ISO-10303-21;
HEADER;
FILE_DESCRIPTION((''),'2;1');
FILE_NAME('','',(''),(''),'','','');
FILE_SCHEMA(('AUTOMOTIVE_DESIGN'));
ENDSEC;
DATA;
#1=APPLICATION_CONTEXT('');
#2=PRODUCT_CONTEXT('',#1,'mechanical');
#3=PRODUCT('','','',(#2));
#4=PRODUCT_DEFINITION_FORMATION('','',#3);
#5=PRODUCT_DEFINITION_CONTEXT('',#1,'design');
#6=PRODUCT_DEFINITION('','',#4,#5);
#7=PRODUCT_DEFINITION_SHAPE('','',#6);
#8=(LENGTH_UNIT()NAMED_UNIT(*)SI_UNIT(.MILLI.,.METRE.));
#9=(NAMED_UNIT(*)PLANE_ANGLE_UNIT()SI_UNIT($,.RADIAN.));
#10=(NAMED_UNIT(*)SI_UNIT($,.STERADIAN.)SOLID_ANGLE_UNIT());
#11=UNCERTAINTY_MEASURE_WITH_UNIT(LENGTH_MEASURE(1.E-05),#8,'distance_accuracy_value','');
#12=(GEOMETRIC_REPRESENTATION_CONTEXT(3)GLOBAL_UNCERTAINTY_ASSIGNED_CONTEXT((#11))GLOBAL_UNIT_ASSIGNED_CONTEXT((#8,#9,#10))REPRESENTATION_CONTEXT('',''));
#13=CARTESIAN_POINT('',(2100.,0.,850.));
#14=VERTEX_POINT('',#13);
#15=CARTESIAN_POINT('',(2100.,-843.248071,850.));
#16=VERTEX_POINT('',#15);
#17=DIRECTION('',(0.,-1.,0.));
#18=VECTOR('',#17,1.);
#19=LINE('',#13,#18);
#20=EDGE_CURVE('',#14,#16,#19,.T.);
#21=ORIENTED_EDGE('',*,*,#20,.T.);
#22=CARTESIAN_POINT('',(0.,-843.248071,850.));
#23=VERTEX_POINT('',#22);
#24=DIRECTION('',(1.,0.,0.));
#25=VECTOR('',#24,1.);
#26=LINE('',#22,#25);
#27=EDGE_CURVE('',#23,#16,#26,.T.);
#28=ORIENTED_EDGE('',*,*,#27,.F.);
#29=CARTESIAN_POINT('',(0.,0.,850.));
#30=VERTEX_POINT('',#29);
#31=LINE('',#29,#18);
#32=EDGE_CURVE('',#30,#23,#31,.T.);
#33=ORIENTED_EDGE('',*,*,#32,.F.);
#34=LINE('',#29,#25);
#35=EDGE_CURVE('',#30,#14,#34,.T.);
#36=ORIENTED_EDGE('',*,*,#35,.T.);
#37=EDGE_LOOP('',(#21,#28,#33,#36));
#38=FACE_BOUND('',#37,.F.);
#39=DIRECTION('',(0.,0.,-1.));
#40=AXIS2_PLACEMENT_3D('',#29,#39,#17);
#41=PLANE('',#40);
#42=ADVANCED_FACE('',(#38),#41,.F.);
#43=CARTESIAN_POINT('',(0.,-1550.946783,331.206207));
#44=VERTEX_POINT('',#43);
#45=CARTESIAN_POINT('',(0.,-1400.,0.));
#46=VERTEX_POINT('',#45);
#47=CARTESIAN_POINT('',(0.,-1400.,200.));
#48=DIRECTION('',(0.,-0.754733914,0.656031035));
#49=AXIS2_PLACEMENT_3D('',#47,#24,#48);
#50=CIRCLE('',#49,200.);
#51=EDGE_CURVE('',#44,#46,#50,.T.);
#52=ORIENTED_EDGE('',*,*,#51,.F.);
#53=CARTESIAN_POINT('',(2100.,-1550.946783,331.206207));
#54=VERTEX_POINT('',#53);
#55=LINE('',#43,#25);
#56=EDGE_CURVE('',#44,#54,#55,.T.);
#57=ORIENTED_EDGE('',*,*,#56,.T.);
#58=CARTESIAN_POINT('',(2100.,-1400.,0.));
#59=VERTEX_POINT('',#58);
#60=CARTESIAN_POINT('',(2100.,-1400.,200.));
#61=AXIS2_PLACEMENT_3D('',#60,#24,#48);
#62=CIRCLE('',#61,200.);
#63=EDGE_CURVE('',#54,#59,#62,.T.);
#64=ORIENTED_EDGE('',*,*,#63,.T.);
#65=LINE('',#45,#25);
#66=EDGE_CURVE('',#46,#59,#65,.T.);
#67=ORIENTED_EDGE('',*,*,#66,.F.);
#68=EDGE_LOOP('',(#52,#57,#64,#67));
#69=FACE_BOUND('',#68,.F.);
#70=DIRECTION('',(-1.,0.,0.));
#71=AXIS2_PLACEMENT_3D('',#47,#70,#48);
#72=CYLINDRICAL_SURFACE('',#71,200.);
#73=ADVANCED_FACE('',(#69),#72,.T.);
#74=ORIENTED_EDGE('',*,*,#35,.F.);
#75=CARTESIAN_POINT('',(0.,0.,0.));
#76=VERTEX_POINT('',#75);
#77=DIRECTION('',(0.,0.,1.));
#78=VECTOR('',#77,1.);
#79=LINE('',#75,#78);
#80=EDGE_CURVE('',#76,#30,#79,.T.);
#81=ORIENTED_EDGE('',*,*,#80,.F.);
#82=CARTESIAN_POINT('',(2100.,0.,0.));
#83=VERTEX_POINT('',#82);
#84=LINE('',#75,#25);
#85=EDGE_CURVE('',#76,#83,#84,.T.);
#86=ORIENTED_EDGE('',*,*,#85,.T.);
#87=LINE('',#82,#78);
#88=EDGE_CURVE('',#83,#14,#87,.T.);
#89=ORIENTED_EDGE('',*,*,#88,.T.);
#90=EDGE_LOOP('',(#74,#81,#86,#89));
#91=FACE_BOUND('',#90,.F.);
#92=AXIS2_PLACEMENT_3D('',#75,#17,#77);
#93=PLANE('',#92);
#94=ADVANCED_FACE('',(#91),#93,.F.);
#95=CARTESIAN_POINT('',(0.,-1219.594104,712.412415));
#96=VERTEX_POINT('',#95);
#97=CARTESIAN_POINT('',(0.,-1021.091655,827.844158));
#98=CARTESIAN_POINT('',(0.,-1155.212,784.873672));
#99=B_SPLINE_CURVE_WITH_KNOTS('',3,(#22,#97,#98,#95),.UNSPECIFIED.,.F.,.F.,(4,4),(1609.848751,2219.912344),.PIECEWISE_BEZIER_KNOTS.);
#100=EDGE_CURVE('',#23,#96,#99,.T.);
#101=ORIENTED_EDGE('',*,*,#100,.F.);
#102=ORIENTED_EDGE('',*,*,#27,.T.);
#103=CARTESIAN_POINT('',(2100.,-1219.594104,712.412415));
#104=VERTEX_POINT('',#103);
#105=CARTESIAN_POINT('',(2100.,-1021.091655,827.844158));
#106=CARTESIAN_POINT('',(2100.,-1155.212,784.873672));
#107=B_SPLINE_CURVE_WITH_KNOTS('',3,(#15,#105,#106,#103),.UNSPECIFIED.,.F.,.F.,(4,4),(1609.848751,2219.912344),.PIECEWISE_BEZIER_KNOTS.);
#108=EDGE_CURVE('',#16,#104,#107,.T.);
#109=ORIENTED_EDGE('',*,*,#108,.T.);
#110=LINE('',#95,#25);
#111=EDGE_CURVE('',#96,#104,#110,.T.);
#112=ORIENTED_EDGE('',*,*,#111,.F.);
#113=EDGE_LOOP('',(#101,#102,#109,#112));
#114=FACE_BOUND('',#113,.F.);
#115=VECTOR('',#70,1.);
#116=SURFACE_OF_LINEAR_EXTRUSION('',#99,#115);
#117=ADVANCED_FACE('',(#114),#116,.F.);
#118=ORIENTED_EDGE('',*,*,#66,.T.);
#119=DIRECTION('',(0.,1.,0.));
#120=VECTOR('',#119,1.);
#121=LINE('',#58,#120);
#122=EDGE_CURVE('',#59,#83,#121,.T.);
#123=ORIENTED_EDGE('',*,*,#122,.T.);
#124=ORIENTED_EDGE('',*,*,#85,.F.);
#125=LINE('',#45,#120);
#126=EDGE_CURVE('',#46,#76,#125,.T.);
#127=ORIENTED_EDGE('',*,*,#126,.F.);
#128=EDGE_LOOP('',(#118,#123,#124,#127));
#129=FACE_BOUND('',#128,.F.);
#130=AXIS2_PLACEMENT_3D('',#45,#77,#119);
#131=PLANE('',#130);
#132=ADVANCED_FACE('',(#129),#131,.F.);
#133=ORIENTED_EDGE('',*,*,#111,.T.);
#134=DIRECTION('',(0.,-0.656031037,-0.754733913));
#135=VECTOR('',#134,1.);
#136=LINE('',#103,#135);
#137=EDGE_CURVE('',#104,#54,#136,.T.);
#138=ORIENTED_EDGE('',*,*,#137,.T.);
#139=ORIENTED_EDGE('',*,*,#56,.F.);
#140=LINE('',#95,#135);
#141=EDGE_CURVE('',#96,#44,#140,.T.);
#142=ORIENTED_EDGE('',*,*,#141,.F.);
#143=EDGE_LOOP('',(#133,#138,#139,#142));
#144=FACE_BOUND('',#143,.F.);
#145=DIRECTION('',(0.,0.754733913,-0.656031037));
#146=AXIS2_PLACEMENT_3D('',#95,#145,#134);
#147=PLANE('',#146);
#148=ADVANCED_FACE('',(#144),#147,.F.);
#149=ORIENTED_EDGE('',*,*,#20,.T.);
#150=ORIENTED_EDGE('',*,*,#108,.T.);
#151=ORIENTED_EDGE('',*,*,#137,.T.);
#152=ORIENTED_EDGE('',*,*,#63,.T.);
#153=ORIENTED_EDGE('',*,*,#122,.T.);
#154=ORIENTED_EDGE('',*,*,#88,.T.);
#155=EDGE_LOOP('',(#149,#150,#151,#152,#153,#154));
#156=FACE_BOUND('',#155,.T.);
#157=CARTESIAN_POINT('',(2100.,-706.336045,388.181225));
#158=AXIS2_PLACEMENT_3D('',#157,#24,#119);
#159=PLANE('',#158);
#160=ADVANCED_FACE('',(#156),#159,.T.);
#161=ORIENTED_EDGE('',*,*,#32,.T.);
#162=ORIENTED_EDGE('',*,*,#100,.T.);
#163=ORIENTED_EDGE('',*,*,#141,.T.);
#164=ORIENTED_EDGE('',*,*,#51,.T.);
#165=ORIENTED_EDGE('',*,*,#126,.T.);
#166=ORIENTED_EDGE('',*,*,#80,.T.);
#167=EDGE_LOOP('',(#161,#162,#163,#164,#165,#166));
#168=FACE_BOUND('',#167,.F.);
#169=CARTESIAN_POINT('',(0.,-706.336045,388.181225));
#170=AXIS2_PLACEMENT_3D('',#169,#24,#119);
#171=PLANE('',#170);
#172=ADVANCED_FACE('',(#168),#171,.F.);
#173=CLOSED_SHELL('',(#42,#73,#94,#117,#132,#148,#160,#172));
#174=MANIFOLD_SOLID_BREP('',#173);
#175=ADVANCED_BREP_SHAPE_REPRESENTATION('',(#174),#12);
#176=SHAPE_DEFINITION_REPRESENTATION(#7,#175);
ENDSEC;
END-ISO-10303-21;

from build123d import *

# Parameters (mm, degrees)
F1_DEPTH = 2100


with BuildPart() as f1:
    # F0 (on Right) → F1 (new body)
    with BuildSketch(Plane.YZ):
        with BuildLine():
            Line((-1400, 0), (0, 0))
            Line((0, 0), (0, 750))
            Line((0, 750), (0, 850))
            Line((0, 850), (-843.248071, 850))
            add(Edge.make_bspline(
                [(-843.248071, 850), (-1021.091655, 827.844158), (-1155.212, 784.873672), (-1219.594104, 712.412415)],
                knots=[1609.848751, 1609.848751, 1609.848751, 1609.848751, 2219.912344, 2219.912344, 2219.912344, 2219.912344], degree=3))
            Line((-1219.594104, 712.412415), (-1550.946783, 331.206207))
            ThreePointArc((-1550.946783, 331.206207), (-1581.990716, 117.057976), (-1400, 0))
        make_face()
    extrude(amount=F1_DEPTH)


solid = f1.part
